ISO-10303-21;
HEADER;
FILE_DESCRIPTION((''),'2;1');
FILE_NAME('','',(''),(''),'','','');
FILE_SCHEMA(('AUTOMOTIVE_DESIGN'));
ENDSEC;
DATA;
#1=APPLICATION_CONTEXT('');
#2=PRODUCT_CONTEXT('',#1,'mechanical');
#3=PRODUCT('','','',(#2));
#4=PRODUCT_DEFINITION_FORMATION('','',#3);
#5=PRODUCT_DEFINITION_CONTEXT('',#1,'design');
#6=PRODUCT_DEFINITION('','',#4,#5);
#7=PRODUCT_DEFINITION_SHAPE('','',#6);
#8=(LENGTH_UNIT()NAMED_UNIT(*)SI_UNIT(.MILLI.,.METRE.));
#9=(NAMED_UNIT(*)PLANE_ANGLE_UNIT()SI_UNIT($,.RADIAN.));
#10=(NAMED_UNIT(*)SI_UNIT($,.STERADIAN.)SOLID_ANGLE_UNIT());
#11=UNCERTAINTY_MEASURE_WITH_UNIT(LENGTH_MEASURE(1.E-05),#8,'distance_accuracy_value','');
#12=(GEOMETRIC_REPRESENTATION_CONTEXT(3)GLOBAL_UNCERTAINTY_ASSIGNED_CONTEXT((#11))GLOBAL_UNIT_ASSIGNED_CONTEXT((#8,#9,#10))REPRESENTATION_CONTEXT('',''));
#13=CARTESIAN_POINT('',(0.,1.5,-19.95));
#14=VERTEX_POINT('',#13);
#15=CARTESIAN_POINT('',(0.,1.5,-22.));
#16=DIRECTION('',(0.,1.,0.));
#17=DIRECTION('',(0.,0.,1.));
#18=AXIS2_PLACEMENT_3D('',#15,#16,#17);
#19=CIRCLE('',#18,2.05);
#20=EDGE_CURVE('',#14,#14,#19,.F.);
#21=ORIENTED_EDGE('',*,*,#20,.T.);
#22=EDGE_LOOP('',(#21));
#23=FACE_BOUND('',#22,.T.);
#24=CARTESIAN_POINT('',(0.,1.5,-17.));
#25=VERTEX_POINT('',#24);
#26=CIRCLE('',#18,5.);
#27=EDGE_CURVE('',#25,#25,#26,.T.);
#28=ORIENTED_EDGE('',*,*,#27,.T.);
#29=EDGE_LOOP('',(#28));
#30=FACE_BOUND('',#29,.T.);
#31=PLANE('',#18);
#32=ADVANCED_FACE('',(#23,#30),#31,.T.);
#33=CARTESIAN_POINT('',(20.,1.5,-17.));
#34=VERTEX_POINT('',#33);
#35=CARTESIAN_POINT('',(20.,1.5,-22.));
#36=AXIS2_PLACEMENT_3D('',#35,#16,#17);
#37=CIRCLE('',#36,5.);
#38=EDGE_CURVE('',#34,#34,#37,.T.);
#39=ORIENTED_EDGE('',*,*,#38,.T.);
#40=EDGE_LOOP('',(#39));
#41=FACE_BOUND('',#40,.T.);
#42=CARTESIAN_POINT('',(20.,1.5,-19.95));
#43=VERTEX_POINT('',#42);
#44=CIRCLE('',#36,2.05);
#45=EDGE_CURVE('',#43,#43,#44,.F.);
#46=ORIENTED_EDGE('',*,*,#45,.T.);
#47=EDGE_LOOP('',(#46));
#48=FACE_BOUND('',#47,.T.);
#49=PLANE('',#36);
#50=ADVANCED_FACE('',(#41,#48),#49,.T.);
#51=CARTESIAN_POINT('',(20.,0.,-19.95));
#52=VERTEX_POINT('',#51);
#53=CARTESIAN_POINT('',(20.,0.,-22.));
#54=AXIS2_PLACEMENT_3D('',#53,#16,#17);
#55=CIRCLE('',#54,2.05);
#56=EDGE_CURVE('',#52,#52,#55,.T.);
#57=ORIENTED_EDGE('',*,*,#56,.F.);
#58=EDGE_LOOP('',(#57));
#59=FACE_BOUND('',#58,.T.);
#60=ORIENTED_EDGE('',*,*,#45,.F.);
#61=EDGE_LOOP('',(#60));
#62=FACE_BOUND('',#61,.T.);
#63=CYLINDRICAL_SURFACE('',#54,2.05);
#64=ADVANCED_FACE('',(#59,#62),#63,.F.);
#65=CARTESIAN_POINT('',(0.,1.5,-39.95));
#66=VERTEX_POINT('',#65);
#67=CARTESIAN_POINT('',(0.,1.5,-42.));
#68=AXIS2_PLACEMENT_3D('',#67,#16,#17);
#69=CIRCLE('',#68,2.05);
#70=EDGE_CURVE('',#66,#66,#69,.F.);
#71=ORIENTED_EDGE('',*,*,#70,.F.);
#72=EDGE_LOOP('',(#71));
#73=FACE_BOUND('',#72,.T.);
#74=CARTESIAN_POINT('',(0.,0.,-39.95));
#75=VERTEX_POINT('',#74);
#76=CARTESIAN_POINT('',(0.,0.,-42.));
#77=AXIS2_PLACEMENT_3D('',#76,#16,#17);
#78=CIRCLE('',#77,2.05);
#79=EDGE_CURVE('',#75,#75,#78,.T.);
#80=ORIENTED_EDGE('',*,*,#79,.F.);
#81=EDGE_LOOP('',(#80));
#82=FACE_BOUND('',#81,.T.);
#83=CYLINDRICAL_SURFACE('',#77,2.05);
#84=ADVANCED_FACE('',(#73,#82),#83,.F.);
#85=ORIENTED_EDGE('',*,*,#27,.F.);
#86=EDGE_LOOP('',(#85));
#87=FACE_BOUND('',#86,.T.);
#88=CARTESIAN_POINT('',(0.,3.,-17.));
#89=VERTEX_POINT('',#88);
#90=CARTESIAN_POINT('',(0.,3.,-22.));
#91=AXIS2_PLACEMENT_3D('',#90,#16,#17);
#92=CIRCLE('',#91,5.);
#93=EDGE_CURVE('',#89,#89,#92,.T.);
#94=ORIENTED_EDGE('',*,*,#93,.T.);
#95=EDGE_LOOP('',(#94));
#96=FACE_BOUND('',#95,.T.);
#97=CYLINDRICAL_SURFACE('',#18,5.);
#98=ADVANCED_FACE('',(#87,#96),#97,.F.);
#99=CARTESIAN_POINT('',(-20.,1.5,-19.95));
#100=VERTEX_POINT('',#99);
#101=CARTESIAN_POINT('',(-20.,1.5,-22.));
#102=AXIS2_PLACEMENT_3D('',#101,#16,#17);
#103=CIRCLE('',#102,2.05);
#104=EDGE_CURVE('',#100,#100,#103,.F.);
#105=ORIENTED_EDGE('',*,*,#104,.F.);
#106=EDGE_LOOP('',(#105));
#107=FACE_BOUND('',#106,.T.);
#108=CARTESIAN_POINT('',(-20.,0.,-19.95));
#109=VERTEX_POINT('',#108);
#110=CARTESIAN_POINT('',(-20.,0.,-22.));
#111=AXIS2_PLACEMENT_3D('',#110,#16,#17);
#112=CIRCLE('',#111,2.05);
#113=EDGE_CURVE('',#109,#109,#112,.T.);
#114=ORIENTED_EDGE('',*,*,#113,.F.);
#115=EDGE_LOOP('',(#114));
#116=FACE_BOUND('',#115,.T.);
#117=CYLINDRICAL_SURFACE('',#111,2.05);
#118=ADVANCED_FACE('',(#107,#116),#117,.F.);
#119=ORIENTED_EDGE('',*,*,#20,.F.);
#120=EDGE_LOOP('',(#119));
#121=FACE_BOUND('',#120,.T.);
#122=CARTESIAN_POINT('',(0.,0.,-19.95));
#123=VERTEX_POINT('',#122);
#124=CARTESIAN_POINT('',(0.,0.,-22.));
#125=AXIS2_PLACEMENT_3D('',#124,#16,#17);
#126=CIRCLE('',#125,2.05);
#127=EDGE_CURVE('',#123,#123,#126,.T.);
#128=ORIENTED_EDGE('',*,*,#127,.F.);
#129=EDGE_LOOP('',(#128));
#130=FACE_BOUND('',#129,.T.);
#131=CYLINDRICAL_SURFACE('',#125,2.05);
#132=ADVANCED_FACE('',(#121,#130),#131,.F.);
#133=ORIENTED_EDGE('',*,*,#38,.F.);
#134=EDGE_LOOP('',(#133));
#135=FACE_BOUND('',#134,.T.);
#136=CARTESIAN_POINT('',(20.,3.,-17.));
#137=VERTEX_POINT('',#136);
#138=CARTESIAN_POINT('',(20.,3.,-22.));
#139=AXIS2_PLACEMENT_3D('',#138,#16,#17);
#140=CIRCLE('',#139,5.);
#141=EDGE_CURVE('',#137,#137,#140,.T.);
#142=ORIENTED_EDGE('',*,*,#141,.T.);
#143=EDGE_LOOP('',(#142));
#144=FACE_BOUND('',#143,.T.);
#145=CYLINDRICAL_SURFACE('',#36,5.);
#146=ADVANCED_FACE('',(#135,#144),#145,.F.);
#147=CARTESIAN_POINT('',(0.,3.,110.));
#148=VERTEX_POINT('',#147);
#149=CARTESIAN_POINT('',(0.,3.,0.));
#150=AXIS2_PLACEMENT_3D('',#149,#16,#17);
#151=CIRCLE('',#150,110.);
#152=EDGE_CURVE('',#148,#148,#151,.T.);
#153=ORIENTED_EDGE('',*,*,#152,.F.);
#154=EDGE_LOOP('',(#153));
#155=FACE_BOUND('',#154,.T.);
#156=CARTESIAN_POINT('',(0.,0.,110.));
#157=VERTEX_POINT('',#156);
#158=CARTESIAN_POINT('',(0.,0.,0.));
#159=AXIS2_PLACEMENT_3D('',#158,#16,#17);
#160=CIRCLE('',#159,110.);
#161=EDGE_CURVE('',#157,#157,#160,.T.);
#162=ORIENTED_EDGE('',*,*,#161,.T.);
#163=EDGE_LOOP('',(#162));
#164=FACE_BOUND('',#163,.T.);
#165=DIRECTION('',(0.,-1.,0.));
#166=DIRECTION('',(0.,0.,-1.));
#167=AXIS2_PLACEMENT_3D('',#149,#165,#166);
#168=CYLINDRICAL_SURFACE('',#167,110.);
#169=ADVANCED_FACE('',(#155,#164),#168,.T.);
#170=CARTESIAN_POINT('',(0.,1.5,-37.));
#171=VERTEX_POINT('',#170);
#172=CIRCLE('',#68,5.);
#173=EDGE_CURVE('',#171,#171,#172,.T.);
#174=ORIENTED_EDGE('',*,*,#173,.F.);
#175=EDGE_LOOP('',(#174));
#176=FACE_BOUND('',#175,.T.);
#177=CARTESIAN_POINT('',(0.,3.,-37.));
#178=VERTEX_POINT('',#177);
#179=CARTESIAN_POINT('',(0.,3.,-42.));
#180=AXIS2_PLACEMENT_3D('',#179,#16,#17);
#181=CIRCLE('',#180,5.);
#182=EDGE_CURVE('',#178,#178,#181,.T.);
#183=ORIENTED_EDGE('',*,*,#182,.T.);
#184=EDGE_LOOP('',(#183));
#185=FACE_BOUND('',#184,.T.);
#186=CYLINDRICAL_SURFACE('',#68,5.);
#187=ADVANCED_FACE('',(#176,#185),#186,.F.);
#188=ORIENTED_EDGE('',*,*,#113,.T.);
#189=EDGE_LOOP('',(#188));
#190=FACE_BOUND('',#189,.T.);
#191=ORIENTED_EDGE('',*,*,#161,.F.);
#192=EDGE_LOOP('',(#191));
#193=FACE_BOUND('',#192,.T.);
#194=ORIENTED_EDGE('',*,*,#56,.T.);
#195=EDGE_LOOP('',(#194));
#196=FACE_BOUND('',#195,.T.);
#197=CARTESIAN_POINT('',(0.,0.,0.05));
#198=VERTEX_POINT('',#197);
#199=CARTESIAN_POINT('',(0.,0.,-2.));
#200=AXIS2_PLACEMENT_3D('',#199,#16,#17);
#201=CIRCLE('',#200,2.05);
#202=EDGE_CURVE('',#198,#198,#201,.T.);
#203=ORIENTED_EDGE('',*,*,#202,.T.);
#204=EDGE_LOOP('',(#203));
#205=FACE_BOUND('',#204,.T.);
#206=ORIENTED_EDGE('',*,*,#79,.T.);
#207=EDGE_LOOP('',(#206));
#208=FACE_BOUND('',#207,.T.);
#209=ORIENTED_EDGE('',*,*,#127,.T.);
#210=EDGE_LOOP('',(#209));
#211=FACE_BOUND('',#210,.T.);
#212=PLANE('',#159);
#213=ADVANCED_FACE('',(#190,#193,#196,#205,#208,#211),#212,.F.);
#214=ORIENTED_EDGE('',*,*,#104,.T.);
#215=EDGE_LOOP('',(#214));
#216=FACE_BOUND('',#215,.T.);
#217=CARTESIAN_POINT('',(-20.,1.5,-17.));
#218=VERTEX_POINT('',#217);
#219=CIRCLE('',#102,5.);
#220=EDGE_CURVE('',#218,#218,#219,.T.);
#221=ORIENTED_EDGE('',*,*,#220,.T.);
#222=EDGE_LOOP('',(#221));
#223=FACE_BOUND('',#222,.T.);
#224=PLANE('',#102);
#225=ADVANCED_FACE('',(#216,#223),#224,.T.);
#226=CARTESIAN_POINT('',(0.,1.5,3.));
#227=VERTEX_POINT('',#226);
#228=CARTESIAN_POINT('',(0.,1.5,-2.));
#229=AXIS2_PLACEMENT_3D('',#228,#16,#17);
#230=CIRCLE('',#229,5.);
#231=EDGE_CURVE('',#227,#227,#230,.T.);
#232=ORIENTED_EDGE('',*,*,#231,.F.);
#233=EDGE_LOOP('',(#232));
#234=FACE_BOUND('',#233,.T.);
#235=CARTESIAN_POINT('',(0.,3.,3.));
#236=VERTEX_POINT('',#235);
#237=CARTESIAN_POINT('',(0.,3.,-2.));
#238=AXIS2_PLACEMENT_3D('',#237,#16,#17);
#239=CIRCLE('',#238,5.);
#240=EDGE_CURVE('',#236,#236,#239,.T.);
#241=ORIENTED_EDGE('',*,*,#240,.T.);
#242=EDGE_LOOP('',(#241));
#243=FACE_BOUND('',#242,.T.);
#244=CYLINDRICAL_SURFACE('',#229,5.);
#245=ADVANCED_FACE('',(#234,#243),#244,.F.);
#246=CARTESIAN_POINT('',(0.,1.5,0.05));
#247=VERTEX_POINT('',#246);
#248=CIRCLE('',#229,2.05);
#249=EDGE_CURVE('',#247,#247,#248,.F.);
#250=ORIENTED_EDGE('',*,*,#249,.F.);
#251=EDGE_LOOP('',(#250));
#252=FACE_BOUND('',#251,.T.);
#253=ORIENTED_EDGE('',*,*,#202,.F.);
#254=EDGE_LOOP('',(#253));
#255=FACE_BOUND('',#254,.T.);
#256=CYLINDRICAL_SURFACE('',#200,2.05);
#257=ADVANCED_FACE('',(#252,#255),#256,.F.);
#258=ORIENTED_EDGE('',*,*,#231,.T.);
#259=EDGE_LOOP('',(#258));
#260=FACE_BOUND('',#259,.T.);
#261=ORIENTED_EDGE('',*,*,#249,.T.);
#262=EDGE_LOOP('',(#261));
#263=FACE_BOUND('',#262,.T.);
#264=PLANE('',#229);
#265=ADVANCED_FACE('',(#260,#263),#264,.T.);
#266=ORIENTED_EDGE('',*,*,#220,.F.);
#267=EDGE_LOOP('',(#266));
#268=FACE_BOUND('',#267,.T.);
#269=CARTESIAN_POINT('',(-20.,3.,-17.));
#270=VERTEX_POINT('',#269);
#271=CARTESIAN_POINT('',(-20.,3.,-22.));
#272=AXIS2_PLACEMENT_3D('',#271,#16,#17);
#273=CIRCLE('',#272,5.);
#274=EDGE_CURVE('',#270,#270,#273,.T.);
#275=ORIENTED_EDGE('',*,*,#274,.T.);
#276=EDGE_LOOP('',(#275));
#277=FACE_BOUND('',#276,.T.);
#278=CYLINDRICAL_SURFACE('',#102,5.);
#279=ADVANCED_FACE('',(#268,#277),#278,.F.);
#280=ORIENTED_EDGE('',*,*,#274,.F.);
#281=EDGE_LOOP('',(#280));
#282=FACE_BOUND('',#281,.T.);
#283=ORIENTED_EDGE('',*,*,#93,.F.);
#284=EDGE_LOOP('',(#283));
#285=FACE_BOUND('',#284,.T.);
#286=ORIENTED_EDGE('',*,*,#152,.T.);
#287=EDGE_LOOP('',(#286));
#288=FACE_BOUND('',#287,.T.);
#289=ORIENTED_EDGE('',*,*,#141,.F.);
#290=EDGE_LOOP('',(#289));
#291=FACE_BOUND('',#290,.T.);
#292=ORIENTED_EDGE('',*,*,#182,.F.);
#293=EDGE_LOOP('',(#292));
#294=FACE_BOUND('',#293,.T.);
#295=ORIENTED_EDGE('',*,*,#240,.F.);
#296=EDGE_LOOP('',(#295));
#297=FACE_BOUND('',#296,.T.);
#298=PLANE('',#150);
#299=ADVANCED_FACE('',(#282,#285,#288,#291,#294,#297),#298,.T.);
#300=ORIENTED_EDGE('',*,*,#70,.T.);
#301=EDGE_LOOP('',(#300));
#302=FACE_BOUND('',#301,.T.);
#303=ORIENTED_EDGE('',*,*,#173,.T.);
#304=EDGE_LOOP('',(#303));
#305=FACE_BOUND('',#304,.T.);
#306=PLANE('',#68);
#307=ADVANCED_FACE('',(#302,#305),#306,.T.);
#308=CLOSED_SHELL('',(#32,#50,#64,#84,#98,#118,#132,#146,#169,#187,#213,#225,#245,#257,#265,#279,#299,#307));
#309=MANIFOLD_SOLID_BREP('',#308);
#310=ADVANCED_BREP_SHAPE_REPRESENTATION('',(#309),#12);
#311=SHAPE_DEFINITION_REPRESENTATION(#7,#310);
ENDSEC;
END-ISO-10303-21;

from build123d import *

# Parameters (mm, degrees)
SKETCH_1_R               = 110
EXTRUDE_1_DEPTH          = 3
CUT_EXTRUDE_1_DEPTH      = 156.592416268
CUT_EXTRUDE_1_DEPTH_BACK = 156.592416268
SKETCH_2_R               = 2.05
SKETCH_4_R               = 5
CUT_EXTRUDE_2_DEPTH      = 1.5


with BuildPart() as part:
    # 草图1 → 凸台-拉伸1 (new body)
    with BuildSketch(Plane(origin=(0, 0, 0), x_dir=(1, 0, 0), z_dir=(0, 1, 0))):
        with Locations(Location((0, 0, 0), (0, 0, 270))):
            Circle(SKETCH_1_R)
    extrude(amount=EXTRUDE_1_DEPTH)

    # 草图2 → 切除-拉伸1 (cut, two sides: drawn at the far end of the back side and taken through both)
    with BuildSketch(Plane(origin=(0, 3, 0), x_dir=(1, 0, 0), z_dir=(0, 1, 0)).offset(-CUT_EXTRUDE_1_DEPTH_BACK)):
        with Locations(Location((20, 22, 0), (0, 0, 270))):
            Circle(SKETCH_2_R)
        with Locations(Location((0, 22, 0), (0, 0, 270))):
            Circle(SKETCH_2_R)
        with Locations(Location((0, 42, 0), (0, 0, 270))):
            Circle(SKETCH_2_R)
        with Locations(Location((0, 2, 0), (0, 0, 270))):
            Circle(SKETCH_2_R)
        with Locations(Location((-20, 22, 0), (0, 0, 270))):
            Circle(SKETCH_2_R)
    extrude(amount=CUT_EXTRUDE_1_DEPTH + CUT_EXTRUDE_1_DEPTH_BACK, mode=Mode.SUBTRACT)

    # 草图4 → 切除-拉伸2 (cut)
    with BuildSketch(Plane(origin=(0, 3, 0), x_dir=(1, 0, 0), z_dir=(0, 1, 0))):
        with Locations(Location((0, 22, 0), (0, 0, 270))):
            Circle(SKETCH_4_R)
        with Locations(Location((20, 22, 0), (0, 0, 270))):
            Circle(SKETCH_4_R)
        with Locations(Location((0, 42, 0), (0, 0, 270))):
            Circle(SKETCH_4_R)
        with Locations(Location((0, 2, 0), (0, 0, 270))):
            Circle(SKETCH_4_R)
        with Locations(Location((-20, 22, 0), (0, 0, 270))):
            Circle(SKETCH_4_R)
    extrude(amount=-CUT_EXTRUDE_2_DEPTH, mode=Mode.SUBTRACT)


solid = part.part
